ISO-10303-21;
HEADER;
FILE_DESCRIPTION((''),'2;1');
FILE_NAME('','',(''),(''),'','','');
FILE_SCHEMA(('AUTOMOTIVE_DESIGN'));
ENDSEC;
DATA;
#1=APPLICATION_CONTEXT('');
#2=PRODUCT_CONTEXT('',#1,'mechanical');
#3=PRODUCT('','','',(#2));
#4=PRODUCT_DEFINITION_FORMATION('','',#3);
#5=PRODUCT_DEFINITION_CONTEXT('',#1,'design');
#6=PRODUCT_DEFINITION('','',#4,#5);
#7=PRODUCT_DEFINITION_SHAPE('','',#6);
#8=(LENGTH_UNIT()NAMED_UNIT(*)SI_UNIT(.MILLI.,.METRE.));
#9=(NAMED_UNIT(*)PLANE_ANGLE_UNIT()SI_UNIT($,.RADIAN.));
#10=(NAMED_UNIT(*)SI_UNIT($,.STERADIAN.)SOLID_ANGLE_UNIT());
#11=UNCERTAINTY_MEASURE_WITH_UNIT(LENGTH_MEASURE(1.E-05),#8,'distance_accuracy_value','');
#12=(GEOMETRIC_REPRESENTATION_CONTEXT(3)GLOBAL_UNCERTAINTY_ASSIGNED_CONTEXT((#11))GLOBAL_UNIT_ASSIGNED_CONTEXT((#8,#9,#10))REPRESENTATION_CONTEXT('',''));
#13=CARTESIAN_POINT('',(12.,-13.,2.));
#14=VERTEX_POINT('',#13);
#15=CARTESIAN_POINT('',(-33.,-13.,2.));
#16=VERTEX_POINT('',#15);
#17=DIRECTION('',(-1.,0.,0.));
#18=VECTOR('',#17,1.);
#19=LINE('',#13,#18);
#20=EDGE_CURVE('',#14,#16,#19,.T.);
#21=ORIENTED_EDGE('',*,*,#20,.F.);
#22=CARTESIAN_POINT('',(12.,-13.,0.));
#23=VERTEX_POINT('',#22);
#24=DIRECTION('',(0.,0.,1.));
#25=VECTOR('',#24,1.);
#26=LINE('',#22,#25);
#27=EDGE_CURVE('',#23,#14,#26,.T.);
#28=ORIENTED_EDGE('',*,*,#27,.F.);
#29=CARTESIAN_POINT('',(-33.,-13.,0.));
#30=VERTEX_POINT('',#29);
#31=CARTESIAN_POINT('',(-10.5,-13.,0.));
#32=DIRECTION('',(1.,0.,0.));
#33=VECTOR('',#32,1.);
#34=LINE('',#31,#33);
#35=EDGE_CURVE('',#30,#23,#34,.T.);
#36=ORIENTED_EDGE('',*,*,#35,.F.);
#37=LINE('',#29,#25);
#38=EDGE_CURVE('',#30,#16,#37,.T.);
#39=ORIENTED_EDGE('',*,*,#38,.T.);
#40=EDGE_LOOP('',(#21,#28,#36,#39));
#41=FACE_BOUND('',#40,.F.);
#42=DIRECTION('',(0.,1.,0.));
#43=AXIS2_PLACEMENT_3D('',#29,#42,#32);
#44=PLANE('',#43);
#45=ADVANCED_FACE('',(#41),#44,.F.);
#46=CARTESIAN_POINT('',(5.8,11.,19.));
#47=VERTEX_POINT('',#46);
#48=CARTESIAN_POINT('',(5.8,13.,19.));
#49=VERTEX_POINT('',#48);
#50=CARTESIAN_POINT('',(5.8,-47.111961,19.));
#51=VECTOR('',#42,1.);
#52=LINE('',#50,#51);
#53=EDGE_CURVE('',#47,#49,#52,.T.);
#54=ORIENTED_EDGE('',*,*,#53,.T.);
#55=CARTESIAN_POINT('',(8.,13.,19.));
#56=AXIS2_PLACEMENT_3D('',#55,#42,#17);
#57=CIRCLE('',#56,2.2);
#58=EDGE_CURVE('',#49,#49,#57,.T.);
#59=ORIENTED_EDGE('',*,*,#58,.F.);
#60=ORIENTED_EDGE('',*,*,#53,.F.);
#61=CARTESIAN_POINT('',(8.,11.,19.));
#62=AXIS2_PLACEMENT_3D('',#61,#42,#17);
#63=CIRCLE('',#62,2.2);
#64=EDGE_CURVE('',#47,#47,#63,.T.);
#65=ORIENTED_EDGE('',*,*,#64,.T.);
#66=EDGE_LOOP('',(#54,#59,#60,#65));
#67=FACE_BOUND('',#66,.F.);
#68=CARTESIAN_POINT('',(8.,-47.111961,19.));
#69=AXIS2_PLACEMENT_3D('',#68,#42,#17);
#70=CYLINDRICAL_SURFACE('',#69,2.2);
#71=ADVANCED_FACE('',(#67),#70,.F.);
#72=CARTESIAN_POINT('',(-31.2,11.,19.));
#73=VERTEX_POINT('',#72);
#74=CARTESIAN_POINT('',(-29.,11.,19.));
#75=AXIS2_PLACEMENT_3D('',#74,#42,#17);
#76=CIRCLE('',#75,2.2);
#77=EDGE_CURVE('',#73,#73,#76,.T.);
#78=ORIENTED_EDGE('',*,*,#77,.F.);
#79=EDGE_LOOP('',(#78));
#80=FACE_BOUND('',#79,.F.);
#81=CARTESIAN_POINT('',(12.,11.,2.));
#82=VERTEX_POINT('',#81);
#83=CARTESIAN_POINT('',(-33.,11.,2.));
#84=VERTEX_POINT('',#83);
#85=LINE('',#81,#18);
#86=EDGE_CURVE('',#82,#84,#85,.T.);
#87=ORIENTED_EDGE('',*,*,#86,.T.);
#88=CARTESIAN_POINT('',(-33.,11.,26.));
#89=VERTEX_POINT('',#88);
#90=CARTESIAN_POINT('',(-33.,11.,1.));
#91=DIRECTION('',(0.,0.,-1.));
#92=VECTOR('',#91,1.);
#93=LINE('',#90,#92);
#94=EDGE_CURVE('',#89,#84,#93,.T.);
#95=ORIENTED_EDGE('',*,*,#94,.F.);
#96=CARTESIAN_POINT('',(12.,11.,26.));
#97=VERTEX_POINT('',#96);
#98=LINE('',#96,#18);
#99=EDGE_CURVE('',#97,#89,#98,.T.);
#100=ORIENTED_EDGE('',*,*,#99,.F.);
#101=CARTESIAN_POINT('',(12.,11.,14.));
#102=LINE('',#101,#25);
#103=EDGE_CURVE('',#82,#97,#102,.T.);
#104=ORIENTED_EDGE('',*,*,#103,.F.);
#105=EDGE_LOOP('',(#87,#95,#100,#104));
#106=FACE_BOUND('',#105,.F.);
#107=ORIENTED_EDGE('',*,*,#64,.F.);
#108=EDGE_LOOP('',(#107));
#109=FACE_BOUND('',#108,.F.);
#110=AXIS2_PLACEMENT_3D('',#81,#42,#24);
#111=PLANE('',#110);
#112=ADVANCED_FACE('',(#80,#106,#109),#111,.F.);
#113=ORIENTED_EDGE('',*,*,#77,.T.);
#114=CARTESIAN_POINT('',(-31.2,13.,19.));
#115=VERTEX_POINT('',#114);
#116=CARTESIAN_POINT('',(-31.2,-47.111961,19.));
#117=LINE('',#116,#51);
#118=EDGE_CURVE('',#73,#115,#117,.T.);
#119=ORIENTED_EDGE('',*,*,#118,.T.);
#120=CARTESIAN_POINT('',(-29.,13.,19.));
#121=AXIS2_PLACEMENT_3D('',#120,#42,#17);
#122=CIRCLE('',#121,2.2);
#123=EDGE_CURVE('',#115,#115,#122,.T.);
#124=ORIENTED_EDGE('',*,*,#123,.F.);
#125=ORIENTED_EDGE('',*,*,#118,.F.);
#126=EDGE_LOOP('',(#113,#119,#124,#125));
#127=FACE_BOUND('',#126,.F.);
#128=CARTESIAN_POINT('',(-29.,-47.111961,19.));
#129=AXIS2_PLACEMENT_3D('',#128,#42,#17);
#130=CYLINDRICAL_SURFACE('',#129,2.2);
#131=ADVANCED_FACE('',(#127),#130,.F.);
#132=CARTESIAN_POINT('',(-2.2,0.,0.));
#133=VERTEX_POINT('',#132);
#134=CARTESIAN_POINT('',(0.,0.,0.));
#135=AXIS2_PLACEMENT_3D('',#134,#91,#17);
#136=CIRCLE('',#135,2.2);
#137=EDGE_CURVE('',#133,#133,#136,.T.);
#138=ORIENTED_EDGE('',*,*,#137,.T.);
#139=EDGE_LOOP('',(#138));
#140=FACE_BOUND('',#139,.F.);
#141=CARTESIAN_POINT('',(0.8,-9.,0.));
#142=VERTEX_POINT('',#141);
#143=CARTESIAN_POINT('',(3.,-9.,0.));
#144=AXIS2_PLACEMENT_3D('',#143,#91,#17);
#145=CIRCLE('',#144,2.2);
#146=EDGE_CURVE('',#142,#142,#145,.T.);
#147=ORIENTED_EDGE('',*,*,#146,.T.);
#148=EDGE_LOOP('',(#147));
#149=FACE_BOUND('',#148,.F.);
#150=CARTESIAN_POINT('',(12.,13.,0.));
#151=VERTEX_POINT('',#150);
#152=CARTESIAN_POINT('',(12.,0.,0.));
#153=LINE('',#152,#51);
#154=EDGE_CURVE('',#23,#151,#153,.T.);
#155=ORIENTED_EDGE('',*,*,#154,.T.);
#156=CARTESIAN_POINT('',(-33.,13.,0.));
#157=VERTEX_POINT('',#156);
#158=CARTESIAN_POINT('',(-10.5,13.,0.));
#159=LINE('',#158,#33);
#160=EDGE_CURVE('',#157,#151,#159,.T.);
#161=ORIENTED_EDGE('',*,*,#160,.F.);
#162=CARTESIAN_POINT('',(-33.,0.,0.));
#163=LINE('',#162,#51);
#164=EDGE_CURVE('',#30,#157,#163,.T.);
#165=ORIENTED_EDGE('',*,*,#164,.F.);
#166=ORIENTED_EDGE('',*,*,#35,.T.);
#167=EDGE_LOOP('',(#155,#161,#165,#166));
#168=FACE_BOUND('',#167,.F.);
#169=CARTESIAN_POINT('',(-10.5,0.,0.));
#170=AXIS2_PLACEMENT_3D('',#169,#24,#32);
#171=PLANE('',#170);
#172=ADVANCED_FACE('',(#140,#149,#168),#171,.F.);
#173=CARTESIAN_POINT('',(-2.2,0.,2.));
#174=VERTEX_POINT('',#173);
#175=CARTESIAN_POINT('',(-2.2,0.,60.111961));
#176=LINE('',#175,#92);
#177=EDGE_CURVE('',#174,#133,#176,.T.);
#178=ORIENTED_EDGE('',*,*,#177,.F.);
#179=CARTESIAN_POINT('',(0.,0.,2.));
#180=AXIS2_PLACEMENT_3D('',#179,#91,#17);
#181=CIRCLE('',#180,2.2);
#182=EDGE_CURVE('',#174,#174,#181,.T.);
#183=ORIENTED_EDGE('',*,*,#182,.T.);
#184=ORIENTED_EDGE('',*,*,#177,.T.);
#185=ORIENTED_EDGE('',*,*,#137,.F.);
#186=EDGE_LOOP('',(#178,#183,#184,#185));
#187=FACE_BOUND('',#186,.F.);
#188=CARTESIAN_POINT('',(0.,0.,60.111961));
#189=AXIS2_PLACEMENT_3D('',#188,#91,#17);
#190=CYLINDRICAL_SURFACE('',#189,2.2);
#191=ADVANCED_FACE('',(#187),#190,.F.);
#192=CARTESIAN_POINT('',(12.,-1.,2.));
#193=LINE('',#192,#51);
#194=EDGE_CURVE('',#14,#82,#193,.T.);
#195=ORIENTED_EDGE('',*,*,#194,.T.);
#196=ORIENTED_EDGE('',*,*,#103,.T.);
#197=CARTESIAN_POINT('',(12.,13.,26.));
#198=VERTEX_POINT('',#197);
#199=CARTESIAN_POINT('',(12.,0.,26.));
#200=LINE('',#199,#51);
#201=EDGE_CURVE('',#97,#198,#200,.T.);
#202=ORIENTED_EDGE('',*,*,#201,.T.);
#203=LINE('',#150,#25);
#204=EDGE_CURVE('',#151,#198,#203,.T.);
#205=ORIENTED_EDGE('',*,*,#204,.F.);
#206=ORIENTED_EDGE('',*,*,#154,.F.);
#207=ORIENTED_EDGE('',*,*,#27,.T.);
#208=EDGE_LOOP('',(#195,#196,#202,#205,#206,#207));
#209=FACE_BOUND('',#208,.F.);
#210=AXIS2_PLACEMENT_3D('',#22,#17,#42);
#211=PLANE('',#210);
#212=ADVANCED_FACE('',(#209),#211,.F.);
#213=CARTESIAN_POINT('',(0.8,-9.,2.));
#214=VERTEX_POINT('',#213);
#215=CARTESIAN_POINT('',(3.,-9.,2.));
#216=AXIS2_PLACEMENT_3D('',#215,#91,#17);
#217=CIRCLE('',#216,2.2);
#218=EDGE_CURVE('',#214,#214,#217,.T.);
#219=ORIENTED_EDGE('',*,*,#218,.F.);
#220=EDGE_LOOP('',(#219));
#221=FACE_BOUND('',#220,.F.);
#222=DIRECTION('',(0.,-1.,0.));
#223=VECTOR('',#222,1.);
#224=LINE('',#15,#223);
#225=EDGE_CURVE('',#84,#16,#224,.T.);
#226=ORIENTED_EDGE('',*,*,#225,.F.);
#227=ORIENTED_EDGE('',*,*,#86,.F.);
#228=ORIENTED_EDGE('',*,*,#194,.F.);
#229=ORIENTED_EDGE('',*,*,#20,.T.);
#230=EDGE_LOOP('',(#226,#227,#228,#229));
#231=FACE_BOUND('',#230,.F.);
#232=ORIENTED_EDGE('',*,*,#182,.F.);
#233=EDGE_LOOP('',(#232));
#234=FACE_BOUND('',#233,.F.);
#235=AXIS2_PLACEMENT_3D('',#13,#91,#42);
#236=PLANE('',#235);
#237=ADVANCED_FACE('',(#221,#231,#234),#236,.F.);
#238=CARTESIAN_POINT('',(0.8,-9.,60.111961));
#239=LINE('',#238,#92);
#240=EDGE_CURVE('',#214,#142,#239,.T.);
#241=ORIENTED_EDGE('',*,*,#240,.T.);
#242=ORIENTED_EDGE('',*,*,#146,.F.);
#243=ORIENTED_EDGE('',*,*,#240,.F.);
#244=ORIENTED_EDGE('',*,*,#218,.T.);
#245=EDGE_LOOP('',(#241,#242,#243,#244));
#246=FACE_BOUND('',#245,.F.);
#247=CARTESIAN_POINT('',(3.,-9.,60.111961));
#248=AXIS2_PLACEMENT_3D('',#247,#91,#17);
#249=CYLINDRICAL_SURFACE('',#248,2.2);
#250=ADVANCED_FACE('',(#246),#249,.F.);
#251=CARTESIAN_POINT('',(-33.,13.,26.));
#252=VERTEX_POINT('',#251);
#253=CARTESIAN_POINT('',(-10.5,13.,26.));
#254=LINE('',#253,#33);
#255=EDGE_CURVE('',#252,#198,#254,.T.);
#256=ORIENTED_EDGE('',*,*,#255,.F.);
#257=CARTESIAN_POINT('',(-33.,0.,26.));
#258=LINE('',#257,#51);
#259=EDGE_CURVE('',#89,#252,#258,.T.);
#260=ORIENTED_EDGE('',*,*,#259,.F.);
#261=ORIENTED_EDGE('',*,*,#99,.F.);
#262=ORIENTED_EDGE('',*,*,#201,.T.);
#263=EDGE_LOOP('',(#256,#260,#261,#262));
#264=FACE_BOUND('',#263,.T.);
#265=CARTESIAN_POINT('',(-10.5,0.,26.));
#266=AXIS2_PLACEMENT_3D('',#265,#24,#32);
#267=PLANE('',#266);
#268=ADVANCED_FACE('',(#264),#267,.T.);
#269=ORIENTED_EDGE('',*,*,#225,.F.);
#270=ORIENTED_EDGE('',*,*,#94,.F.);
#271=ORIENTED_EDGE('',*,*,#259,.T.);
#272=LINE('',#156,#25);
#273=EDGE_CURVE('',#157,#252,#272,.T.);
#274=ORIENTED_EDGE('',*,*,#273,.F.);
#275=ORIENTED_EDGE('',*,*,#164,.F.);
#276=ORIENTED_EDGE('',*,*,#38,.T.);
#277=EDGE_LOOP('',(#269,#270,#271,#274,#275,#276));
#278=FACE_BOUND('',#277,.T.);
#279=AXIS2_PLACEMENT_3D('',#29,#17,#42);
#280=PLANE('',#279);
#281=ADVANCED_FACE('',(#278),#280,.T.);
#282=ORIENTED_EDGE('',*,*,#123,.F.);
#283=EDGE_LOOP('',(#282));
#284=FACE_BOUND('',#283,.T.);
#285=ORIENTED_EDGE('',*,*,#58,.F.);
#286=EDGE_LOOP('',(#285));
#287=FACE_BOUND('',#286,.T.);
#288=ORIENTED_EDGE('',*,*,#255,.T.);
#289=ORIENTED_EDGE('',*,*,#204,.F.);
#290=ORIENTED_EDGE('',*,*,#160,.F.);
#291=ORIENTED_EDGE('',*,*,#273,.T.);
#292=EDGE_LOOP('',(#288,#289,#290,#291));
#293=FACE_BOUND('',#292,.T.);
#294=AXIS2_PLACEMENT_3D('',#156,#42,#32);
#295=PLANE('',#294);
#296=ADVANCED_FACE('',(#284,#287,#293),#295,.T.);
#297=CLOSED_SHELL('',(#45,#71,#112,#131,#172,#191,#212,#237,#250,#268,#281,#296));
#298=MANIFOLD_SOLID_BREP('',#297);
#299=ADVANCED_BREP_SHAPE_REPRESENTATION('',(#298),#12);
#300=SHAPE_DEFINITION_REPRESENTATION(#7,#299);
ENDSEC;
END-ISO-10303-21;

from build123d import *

# Parameters (mm, degrees)
F0_W     = 45
F0_H     = 26
F1_DEPTH = 26
F2_W     = 24
F2_H     = 24
F3_DEPTH = 45.001
F5_D     = 4.4
F7_D     = 4.4


with BuildPart() as f1:
    # F0 (on Top) → F1 (new body)
    with BuildSketch(Plane.XY):
        with Locations((-10.5, 0)):
            Rectangle(F0_W, F0_H)
    extrude(amount=F1_DEPTH)

    # F2 (on face) → F3 (cut, through all)
    with BuildSketch(Plane.YZ.offset(12)):
        with Locations((-1, 14)):
            Rectangle(F2_W, F2_H)
    extrude(amount=-F3_DEPTH, mode=Mode.SUBTRACT)

    # F5 (through all)
    with Locations(Plane.XY.offset(2)):
        with Locations((0, 0), (3, -9)):
            Hole(F5_D / 2)

    # F7 (through all)
    with Locations(Plane.XZ.offset(-11)):
        with Locations((-29, 19), (8, 19)):
            Hole(F7_D / 2)


solid = f1.part
